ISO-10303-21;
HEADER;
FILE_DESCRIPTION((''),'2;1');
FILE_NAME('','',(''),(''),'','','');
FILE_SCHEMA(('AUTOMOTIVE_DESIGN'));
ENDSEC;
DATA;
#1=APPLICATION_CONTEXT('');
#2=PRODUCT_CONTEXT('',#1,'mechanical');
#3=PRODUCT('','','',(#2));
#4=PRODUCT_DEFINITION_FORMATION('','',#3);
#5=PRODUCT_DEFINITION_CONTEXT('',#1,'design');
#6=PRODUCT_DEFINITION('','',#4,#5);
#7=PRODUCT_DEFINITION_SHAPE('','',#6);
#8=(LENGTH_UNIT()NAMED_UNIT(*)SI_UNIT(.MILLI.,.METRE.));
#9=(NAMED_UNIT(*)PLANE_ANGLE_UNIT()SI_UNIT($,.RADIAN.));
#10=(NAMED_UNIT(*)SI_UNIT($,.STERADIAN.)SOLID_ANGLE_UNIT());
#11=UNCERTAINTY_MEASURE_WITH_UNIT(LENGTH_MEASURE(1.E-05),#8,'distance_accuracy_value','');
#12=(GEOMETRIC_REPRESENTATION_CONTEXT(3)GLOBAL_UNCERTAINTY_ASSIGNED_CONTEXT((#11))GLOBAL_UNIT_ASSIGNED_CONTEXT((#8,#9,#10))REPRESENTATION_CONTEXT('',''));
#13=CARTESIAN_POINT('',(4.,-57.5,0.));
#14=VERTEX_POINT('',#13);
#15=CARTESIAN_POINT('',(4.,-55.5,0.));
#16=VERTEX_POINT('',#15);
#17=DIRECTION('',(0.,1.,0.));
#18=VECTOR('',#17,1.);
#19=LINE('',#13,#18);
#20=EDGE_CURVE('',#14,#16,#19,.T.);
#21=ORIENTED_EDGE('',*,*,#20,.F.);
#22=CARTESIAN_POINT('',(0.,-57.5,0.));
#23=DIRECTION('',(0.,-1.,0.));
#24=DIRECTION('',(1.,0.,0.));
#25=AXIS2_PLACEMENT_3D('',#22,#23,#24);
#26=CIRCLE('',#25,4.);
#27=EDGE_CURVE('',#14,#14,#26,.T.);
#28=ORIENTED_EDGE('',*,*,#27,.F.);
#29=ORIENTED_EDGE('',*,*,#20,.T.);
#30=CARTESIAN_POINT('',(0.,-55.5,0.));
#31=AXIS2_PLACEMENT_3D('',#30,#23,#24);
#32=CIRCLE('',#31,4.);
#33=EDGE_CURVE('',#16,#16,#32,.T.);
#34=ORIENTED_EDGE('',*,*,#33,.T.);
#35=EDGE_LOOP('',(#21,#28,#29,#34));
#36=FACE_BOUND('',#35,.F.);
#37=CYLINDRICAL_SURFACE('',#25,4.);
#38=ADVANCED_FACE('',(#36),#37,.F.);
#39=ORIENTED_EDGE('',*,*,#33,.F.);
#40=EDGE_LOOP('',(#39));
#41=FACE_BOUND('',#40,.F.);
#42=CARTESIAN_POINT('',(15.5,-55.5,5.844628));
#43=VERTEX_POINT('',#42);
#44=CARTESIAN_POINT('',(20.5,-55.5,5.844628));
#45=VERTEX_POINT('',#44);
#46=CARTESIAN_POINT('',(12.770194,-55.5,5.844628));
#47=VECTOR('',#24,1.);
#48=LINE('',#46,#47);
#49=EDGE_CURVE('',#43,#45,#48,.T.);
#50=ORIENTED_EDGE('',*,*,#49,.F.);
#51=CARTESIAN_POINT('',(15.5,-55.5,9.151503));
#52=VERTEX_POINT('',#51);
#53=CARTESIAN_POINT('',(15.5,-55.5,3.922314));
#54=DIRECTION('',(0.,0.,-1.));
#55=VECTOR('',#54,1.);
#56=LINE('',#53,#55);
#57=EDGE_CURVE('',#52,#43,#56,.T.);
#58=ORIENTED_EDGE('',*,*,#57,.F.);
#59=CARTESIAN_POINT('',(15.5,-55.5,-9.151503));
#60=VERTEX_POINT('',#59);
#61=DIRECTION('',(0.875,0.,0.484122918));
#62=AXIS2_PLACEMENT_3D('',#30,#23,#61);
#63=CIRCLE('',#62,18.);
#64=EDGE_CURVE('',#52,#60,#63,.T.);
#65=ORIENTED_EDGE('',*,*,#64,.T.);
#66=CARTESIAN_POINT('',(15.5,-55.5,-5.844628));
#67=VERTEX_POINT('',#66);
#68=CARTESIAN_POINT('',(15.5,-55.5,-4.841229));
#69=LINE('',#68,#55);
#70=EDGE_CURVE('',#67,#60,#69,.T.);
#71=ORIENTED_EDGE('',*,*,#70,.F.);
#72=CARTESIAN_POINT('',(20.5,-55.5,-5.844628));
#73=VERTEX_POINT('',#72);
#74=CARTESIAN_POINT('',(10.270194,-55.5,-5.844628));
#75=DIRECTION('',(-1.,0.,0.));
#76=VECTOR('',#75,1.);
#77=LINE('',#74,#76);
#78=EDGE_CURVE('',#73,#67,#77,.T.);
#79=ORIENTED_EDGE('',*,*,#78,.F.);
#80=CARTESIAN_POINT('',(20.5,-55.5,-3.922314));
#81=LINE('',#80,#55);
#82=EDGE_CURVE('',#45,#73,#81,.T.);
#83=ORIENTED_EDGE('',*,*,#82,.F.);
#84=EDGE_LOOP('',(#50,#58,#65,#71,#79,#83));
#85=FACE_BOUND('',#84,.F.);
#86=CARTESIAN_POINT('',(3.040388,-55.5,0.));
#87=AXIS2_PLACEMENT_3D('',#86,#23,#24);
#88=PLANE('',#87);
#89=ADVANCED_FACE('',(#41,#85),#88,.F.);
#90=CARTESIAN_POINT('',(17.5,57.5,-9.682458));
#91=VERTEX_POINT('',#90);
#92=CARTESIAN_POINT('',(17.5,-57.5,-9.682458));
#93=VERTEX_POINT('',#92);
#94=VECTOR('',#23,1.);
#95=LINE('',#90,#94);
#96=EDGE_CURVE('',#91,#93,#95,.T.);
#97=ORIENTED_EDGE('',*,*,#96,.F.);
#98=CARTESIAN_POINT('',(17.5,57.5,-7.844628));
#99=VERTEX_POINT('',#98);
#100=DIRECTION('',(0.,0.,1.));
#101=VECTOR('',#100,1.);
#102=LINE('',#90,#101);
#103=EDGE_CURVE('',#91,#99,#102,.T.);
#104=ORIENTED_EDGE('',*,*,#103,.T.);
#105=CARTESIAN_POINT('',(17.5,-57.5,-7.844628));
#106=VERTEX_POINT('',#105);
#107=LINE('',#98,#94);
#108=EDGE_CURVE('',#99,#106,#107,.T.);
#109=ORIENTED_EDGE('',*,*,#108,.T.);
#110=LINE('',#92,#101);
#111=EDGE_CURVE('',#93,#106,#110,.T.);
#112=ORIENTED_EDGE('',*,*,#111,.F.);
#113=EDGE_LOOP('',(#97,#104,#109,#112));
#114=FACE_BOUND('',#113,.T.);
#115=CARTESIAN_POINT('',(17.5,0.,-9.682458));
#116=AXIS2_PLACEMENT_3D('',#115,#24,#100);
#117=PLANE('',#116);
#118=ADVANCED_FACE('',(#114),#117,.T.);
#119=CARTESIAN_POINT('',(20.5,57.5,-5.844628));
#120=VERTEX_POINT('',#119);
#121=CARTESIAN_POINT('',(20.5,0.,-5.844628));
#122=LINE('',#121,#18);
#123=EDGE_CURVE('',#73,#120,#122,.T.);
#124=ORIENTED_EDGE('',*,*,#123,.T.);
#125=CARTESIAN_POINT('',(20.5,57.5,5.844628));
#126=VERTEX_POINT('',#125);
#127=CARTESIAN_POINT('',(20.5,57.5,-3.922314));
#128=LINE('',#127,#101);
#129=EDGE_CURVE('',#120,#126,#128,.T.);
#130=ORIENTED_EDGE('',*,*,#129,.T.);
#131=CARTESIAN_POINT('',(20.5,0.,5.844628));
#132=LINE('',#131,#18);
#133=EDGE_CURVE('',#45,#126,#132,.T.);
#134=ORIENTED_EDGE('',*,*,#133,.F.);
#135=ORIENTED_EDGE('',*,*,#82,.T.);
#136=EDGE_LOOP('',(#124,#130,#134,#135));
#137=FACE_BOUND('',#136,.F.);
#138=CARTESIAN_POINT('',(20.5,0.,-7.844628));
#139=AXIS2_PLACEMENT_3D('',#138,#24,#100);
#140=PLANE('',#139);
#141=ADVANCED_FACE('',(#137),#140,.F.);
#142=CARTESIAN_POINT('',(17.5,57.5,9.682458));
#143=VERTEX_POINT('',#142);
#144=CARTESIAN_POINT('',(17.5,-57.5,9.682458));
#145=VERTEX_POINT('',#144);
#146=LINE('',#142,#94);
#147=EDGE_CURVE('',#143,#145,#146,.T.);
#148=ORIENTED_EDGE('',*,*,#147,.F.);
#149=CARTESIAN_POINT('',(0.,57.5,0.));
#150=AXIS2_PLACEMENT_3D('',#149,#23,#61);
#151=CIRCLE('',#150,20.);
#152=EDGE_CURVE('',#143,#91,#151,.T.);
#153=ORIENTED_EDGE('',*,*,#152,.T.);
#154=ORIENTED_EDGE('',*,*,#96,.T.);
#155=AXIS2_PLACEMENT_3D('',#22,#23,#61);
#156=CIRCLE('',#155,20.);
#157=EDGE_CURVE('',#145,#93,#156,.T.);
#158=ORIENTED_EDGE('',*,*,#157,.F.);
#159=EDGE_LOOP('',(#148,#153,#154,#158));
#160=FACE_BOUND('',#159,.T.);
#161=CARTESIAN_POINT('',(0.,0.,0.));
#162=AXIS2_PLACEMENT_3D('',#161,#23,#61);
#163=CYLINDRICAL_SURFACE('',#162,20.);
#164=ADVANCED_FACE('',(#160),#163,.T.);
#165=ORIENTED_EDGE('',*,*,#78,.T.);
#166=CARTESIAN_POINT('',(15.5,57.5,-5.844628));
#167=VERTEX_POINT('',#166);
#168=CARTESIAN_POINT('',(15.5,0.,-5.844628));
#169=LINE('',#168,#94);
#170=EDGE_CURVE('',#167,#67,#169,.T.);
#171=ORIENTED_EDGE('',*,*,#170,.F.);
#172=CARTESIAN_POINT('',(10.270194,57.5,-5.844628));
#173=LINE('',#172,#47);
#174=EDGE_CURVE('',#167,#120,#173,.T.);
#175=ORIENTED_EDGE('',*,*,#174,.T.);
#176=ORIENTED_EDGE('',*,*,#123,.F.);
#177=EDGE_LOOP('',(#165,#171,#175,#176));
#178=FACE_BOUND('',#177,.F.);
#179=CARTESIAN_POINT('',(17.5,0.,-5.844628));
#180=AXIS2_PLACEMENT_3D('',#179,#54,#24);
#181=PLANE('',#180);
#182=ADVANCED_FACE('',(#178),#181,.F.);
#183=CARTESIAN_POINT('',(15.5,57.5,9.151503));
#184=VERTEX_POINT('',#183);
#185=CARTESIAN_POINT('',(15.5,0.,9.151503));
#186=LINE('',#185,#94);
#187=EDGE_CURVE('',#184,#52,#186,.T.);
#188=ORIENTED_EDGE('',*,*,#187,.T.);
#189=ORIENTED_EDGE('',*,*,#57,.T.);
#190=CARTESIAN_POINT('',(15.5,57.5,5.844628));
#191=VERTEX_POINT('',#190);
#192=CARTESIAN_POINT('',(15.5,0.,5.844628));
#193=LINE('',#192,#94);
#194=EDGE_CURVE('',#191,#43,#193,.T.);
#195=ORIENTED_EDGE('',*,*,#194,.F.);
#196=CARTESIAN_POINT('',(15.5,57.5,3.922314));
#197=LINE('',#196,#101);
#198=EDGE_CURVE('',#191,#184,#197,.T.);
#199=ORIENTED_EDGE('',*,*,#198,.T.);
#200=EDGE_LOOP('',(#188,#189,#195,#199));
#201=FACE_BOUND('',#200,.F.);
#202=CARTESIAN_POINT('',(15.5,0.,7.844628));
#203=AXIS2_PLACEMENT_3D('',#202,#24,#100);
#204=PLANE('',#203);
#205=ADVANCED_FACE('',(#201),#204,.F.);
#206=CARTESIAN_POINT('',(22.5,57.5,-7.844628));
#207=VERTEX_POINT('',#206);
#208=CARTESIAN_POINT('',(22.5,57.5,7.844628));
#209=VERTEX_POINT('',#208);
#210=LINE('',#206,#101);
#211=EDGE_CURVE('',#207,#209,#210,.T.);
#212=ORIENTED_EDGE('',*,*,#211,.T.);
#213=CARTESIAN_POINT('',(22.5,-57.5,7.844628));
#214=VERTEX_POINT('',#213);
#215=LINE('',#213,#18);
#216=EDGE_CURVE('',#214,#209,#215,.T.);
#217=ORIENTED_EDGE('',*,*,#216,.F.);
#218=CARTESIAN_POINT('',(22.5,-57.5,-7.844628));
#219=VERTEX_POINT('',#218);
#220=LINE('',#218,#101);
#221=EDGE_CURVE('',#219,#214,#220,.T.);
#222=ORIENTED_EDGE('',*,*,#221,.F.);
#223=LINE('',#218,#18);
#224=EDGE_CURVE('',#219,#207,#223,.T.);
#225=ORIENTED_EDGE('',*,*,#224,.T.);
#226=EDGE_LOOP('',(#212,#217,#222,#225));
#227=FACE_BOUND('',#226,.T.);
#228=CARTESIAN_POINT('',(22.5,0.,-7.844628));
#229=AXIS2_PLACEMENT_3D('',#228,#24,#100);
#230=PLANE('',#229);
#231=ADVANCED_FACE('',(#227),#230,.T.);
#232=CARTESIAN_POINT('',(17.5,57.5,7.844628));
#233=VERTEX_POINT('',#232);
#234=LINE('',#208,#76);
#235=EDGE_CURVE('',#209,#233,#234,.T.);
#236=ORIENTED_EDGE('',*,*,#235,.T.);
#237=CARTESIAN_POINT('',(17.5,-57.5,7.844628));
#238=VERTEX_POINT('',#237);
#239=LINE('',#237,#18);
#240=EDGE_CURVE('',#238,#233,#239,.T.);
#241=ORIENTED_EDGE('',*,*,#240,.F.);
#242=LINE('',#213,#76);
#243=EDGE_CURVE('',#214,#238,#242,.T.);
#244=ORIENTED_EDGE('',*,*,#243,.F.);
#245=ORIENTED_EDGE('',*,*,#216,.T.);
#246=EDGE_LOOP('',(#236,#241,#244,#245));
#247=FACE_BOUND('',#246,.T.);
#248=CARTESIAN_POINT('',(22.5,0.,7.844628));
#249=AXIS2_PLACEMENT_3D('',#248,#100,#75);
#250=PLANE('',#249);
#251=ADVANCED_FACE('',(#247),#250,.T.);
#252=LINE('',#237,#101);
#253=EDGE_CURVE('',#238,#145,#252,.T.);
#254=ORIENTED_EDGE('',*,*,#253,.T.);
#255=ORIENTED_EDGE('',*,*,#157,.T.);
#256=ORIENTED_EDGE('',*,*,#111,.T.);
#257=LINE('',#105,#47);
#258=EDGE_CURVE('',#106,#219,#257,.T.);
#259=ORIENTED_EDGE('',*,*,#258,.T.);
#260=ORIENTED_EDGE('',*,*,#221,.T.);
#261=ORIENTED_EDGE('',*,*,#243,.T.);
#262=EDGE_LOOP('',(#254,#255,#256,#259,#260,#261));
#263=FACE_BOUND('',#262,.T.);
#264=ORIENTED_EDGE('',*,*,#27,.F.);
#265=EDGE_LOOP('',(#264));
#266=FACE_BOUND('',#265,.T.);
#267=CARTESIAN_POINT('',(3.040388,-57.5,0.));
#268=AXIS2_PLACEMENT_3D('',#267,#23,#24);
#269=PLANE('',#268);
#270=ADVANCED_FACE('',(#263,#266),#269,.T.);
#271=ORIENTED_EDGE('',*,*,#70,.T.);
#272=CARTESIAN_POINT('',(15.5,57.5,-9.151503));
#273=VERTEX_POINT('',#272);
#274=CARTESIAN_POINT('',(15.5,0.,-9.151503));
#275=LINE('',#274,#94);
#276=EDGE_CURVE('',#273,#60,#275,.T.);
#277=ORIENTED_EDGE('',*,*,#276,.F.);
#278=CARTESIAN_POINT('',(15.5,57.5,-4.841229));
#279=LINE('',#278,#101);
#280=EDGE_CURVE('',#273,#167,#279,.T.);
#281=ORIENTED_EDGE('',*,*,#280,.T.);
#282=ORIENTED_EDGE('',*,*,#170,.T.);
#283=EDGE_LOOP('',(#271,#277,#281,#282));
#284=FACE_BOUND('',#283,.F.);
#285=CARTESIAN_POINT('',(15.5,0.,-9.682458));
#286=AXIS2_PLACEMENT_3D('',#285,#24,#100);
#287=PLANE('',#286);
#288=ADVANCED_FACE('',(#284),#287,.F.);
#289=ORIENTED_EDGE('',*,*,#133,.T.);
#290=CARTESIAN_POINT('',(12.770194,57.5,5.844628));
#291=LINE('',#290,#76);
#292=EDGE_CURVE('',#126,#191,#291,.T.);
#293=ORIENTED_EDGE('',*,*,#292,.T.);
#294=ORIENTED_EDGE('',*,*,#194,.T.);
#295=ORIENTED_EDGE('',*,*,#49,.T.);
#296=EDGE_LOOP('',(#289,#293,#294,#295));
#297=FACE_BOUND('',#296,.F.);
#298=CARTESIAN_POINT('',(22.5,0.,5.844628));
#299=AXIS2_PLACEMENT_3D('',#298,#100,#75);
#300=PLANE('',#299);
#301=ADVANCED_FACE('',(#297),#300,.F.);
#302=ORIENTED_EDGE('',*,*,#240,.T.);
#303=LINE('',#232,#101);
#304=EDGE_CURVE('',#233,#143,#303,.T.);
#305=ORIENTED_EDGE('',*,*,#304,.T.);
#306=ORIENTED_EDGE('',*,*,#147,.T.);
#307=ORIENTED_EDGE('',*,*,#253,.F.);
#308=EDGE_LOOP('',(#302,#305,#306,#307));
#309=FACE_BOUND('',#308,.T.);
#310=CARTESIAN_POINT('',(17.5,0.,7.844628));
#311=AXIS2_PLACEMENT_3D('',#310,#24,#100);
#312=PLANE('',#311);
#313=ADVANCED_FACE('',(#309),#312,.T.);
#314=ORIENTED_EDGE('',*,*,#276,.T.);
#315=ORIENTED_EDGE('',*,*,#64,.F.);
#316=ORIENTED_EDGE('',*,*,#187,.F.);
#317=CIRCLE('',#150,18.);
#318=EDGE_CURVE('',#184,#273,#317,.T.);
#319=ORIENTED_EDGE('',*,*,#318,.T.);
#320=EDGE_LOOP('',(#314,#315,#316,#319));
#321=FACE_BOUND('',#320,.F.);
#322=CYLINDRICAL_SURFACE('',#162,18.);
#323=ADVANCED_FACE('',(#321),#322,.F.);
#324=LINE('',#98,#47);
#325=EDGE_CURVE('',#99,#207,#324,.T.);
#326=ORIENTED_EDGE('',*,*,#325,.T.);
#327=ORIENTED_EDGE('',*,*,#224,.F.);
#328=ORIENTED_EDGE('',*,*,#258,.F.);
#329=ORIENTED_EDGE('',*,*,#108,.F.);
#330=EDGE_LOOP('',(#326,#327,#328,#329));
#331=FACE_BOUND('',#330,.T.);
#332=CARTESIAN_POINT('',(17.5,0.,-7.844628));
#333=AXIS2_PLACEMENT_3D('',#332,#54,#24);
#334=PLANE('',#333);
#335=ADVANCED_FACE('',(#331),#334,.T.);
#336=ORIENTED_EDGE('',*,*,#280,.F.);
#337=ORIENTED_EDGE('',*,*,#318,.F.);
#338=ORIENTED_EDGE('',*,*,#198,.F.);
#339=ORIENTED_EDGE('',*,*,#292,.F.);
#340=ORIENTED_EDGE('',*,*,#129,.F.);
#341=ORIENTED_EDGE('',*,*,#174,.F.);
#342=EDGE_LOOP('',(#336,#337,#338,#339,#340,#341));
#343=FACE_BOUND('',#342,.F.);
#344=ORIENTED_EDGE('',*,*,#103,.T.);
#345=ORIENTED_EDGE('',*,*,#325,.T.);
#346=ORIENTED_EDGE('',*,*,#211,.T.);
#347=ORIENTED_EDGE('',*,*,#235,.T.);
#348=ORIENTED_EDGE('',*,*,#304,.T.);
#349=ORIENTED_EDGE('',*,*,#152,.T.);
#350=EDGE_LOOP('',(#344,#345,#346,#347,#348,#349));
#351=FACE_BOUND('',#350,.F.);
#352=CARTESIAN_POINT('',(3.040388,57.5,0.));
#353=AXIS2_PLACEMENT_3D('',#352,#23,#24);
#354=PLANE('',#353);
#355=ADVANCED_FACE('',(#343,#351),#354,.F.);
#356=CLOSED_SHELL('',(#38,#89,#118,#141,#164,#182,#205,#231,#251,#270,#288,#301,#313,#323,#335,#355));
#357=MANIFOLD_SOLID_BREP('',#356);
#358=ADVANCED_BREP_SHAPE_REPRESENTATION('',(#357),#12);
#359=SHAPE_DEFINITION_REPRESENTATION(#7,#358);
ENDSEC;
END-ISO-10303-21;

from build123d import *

# Parameters (mm, degrees)
F1_DEPTH = 57.5
F2_T     = -2
F3_R     = 4
F4_DEPTH = 25


with BuildPart() as f1:
    # F0 (on Front) → F1 (new body, symmetric)
    with BuildSketch(Plane.XZ):
        with BuildLine():
            Line((17.5, 7.8446282016), (17.5, 9.6824583655))
            ThreePointArc((17.5, 9.6824583655), (-20, 0), (17.5, -9.6824583655))
            Line((17.5, -9.6824583655), (17.5, -7.8446282016))
            Line((17.5, -7.8446282016), (22.5, -7.8446282016))
            Line((22.5, -7.8446282016), (22.5, 7.8446282016))
            Line((22.5, 7.8446282016), (17.5, 7.8446282016))
        make_face()
    extrude(amount=F1_DEPTH, both=True)

    # F2
    f2_openings = [f1.faces().sort_by_distance(p)[0] for p in [
        (0.740007, 57.5, 0),
    ]]
    offset(amount=F2_T, openings=f2_openings, kind=Kind.INTERSECTION)

    # F3 (on face) → F4 (cut)
    with BuildSketch(Plane.XZ.offset(57.5)):
        Circle(F3_R)
    extrude(amount=-F4_DEPTH, mode=Mode.SUBTRACT)


solid = f1.part
